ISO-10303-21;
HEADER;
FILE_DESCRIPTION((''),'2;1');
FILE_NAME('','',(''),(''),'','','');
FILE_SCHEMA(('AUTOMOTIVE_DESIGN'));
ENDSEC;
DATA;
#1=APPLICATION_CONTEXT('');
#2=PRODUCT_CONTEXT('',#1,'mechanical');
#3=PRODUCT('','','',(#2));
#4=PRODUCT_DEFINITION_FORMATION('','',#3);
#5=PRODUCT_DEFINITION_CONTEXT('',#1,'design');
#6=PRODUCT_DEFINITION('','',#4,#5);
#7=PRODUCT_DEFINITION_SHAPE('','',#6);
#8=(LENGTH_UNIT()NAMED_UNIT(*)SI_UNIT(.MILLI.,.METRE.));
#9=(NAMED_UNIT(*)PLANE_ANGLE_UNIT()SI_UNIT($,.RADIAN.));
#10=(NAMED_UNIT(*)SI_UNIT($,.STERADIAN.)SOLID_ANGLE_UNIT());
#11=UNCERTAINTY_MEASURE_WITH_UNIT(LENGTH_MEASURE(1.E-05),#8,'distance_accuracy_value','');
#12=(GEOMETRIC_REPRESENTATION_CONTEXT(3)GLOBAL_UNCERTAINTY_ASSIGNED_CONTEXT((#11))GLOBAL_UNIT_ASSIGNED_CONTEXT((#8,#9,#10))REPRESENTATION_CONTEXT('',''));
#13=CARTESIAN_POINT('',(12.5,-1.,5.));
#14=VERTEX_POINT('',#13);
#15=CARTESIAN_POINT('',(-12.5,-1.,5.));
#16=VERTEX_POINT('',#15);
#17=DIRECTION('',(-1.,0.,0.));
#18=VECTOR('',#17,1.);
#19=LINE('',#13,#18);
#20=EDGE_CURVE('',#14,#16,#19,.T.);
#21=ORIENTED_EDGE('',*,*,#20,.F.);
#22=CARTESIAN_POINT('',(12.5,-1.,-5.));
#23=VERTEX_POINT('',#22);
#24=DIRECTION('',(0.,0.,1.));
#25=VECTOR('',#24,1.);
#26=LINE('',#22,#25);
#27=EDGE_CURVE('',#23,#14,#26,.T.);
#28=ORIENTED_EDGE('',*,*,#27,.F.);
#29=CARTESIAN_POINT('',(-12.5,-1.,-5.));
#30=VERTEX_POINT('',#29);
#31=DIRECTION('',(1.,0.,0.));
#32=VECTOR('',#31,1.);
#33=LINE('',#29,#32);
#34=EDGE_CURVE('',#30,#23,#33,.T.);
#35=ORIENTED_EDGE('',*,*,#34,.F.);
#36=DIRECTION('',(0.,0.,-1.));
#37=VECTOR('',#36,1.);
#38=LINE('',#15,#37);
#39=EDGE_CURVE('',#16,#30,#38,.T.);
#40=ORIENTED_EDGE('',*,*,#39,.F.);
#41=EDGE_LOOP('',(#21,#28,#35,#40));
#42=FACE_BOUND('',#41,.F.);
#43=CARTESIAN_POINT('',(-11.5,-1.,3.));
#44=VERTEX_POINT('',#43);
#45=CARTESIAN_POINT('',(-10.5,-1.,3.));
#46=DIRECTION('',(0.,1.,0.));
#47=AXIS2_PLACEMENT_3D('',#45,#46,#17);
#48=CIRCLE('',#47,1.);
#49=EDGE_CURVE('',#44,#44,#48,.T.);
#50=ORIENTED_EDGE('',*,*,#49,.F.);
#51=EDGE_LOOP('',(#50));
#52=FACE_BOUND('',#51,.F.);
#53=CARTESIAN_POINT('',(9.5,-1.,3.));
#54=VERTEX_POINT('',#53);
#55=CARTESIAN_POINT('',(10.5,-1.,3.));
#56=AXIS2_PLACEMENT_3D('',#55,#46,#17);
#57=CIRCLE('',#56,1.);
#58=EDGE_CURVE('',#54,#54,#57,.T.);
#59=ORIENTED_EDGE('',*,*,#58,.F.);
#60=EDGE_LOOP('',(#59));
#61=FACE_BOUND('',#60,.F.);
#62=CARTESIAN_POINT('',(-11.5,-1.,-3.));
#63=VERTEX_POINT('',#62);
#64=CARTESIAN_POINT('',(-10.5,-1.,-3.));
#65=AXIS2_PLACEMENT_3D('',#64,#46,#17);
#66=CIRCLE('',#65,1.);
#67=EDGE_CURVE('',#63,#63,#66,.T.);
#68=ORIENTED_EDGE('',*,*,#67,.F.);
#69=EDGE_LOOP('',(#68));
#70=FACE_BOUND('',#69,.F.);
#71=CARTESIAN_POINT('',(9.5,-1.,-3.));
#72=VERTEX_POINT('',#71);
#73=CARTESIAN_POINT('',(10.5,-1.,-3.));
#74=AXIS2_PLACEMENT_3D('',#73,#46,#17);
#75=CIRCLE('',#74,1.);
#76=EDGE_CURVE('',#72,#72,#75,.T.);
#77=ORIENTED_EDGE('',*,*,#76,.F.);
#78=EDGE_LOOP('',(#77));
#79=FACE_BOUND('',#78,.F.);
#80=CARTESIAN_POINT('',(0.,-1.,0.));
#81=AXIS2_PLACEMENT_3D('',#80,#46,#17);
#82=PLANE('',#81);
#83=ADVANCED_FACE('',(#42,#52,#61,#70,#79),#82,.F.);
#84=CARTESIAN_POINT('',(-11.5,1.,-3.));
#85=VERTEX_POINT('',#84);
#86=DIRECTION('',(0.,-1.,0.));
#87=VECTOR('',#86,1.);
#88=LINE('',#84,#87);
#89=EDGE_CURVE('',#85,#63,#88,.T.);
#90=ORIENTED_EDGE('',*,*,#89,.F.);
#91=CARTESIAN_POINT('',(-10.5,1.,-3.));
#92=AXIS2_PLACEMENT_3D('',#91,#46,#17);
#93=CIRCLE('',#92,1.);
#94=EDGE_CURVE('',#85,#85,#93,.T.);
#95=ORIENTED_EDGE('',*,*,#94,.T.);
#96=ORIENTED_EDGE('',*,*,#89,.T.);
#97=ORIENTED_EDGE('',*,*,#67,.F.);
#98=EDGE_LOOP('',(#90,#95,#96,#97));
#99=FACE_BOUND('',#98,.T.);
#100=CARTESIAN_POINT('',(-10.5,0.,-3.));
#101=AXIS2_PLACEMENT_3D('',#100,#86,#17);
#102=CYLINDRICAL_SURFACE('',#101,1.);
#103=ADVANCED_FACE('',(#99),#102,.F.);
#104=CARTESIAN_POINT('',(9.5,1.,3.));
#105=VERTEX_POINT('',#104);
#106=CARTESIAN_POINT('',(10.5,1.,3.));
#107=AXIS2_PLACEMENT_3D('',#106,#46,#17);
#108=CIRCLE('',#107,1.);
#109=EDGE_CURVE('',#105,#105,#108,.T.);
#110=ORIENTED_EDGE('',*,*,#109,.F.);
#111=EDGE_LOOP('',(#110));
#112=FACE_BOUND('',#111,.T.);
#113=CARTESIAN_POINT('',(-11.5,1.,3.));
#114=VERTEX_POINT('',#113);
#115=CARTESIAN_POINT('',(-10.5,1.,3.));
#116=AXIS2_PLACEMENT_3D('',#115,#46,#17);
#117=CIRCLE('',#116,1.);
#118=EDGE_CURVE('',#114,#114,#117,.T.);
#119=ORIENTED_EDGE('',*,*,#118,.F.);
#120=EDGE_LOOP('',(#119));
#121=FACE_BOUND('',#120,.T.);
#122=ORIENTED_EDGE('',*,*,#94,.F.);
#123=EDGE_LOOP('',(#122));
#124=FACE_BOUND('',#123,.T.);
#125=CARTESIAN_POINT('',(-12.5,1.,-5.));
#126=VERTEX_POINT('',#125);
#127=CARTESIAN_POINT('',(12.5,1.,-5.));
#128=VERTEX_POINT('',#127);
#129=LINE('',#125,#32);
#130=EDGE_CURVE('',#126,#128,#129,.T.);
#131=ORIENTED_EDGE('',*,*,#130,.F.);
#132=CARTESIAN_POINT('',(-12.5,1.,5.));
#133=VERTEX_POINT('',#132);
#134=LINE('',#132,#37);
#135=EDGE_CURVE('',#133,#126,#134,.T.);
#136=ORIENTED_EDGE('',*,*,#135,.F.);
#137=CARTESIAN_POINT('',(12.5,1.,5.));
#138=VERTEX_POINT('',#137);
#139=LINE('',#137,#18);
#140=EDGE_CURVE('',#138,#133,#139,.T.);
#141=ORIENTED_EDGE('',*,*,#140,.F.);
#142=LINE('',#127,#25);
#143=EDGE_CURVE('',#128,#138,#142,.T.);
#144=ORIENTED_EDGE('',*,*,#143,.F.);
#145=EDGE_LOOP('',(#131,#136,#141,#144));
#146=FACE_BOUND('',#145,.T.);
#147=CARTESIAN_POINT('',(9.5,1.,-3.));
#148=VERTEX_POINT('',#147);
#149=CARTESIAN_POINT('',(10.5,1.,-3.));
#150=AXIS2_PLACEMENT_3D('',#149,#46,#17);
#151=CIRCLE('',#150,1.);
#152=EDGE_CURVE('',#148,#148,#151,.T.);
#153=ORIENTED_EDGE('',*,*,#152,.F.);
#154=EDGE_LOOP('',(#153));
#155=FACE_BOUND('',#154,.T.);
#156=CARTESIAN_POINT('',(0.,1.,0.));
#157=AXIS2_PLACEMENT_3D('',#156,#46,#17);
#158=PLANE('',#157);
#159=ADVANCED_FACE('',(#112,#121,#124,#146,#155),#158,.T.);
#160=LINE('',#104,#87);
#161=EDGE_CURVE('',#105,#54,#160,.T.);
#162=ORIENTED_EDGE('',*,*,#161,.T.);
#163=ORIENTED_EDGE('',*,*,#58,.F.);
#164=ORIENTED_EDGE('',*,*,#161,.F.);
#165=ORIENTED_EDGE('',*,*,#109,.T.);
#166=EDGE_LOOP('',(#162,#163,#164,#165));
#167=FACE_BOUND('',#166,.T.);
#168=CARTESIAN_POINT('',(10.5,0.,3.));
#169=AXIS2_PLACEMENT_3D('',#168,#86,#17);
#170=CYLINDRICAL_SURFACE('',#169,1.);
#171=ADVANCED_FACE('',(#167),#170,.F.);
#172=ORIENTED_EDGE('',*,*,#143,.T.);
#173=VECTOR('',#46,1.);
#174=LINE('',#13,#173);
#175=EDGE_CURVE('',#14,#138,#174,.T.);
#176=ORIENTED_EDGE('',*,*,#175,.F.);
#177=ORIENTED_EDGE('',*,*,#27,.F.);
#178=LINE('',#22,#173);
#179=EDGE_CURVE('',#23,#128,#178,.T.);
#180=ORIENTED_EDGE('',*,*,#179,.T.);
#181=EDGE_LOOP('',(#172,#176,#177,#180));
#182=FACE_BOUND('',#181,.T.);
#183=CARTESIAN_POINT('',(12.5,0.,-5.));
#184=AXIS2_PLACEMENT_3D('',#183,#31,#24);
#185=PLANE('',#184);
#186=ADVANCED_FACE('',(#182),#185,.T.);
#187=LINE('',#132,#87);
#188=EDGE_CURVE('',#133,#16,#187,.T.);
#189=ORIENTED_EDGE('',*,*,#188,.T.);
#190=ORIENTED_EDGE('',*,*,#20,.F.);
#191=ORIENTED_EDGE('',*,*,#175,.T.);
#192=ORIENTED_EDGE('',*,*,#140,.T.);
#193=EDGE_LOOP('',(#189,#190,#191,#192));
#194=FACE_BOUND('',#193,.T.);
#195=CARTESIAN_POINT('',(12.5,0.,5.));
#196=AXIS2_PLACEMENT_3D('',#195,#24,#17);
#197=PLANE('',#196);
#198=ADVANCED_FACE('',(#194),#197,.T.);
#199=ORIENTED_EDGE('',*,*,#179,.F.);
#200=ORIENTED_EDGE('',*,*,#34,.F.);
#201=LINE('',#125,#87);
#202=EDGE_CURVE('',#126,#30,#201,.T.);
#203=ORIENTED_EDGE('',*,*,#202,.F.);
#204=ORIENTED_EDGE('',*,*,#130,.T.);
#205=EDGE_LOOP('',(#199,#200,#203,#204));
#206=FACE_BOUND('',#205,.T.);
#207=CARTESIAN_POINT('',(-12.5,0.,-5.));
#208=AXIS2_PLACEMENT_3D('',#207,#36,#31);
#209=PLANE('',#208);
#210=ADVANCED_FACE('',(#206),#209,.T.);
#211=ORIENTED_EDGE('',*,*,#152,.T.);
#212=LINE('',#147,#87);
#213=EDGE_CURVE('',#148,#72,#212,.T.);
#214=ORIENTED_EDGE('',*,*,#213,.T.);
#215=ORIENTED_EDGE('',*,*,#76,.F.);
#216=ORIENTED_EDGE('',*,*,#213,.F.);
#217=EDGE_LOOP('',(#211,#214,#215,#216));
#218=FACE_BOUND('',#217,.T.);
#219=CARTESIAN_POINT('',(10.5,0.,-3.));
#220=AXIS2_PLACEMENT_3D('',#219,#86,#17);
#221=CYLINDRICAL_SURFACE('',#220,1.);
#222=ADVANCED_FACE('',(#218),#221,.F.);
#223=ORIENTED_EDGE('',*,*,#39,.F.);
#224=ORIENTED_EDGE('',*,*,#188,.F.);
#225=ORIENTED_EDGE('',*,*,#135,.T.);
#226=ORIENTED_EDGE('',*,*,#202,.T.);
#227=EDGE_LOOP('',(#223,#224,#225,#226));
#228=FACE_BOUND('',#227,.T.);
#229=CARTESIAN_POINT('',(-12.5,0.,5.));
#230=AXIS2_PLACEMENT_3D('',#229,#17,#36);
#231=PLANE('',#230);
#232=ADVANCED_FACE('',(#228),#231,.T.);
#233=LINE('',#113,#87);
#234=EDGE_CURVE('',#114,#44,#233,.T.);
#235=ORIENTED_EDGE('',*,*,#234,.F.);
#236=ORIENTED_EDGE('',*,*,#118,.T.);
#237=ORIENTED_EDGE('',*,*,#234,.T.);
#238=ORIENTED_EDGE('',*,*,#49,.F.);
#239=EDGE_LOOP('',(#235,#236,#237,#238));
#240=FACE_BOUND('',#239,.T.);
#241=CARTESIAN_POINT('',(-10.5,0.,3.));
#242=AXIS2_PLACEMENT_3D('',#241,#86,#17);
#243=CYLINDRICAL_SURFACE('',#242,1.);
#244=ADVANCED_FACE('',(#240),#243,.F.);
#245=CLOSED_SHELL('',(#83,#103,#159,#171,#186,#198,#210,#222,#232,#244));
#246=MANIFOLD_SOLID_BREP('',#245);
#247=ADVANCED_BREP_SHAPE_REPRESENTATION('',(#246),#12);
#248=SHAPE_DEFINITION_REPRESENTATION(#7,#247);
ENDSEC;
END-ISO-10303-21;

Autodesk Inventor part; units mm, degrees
ref_plane "YZ Plane" through (0, 0, 0) normal (1, 0, 0) x (0, 1, 0)
ref_plane "XZ Plane" through (0, 0, 0) normal (0, 1, 0) x (-1, 0, 0)
ref_plane "XY Plane" through (0, 0, 0) normal (0, 0, 1) x (1, 0, 0)
sketch "Sketch1" plane through (0, 0, 0) normal (0, 1, 0) x (-1, 0, 0)
  line L0 (-12.5, 5) -> (12.5, 5)
  line L1 (12.5, 5) -> (12.5, -5)
  line L2 (12.5, -5) -> (-12.5, -5)
  line L3 (-12.5, -5) -> (-12.5, 5)
  circle A0 centre (10.5, 3) radius 1
  circle A1 centre (10.5, -3) radius 1
  circle A2 centre (-10.5, 3) radius 1
  circle A3 centre (-10.5, -3) radius 1
  point P0 (0, 0)
  point P1 (0, 0)
  dimension "d0" = 25
  dimension "d1" = 10
  dimension "d3" = 2
  dimension "d4" = 2
  dimension "d5" = 2
  dimension "d6" = 2
  dimension "d7" = 2
  dimension "d8" = 2
  dimension "d9" = 2
  dimension "d10" = 2
  dimension "d13" = 2
  dimension "d14" = 2
  dimension "d15" = 2
  dimension "d16" = 2
  dimension "d17" = 6
  dimension "d18" = 21
extrude "Extrusion1" add sketch "Sketch1" along normal mid plane 2
properties part number "Plat"
